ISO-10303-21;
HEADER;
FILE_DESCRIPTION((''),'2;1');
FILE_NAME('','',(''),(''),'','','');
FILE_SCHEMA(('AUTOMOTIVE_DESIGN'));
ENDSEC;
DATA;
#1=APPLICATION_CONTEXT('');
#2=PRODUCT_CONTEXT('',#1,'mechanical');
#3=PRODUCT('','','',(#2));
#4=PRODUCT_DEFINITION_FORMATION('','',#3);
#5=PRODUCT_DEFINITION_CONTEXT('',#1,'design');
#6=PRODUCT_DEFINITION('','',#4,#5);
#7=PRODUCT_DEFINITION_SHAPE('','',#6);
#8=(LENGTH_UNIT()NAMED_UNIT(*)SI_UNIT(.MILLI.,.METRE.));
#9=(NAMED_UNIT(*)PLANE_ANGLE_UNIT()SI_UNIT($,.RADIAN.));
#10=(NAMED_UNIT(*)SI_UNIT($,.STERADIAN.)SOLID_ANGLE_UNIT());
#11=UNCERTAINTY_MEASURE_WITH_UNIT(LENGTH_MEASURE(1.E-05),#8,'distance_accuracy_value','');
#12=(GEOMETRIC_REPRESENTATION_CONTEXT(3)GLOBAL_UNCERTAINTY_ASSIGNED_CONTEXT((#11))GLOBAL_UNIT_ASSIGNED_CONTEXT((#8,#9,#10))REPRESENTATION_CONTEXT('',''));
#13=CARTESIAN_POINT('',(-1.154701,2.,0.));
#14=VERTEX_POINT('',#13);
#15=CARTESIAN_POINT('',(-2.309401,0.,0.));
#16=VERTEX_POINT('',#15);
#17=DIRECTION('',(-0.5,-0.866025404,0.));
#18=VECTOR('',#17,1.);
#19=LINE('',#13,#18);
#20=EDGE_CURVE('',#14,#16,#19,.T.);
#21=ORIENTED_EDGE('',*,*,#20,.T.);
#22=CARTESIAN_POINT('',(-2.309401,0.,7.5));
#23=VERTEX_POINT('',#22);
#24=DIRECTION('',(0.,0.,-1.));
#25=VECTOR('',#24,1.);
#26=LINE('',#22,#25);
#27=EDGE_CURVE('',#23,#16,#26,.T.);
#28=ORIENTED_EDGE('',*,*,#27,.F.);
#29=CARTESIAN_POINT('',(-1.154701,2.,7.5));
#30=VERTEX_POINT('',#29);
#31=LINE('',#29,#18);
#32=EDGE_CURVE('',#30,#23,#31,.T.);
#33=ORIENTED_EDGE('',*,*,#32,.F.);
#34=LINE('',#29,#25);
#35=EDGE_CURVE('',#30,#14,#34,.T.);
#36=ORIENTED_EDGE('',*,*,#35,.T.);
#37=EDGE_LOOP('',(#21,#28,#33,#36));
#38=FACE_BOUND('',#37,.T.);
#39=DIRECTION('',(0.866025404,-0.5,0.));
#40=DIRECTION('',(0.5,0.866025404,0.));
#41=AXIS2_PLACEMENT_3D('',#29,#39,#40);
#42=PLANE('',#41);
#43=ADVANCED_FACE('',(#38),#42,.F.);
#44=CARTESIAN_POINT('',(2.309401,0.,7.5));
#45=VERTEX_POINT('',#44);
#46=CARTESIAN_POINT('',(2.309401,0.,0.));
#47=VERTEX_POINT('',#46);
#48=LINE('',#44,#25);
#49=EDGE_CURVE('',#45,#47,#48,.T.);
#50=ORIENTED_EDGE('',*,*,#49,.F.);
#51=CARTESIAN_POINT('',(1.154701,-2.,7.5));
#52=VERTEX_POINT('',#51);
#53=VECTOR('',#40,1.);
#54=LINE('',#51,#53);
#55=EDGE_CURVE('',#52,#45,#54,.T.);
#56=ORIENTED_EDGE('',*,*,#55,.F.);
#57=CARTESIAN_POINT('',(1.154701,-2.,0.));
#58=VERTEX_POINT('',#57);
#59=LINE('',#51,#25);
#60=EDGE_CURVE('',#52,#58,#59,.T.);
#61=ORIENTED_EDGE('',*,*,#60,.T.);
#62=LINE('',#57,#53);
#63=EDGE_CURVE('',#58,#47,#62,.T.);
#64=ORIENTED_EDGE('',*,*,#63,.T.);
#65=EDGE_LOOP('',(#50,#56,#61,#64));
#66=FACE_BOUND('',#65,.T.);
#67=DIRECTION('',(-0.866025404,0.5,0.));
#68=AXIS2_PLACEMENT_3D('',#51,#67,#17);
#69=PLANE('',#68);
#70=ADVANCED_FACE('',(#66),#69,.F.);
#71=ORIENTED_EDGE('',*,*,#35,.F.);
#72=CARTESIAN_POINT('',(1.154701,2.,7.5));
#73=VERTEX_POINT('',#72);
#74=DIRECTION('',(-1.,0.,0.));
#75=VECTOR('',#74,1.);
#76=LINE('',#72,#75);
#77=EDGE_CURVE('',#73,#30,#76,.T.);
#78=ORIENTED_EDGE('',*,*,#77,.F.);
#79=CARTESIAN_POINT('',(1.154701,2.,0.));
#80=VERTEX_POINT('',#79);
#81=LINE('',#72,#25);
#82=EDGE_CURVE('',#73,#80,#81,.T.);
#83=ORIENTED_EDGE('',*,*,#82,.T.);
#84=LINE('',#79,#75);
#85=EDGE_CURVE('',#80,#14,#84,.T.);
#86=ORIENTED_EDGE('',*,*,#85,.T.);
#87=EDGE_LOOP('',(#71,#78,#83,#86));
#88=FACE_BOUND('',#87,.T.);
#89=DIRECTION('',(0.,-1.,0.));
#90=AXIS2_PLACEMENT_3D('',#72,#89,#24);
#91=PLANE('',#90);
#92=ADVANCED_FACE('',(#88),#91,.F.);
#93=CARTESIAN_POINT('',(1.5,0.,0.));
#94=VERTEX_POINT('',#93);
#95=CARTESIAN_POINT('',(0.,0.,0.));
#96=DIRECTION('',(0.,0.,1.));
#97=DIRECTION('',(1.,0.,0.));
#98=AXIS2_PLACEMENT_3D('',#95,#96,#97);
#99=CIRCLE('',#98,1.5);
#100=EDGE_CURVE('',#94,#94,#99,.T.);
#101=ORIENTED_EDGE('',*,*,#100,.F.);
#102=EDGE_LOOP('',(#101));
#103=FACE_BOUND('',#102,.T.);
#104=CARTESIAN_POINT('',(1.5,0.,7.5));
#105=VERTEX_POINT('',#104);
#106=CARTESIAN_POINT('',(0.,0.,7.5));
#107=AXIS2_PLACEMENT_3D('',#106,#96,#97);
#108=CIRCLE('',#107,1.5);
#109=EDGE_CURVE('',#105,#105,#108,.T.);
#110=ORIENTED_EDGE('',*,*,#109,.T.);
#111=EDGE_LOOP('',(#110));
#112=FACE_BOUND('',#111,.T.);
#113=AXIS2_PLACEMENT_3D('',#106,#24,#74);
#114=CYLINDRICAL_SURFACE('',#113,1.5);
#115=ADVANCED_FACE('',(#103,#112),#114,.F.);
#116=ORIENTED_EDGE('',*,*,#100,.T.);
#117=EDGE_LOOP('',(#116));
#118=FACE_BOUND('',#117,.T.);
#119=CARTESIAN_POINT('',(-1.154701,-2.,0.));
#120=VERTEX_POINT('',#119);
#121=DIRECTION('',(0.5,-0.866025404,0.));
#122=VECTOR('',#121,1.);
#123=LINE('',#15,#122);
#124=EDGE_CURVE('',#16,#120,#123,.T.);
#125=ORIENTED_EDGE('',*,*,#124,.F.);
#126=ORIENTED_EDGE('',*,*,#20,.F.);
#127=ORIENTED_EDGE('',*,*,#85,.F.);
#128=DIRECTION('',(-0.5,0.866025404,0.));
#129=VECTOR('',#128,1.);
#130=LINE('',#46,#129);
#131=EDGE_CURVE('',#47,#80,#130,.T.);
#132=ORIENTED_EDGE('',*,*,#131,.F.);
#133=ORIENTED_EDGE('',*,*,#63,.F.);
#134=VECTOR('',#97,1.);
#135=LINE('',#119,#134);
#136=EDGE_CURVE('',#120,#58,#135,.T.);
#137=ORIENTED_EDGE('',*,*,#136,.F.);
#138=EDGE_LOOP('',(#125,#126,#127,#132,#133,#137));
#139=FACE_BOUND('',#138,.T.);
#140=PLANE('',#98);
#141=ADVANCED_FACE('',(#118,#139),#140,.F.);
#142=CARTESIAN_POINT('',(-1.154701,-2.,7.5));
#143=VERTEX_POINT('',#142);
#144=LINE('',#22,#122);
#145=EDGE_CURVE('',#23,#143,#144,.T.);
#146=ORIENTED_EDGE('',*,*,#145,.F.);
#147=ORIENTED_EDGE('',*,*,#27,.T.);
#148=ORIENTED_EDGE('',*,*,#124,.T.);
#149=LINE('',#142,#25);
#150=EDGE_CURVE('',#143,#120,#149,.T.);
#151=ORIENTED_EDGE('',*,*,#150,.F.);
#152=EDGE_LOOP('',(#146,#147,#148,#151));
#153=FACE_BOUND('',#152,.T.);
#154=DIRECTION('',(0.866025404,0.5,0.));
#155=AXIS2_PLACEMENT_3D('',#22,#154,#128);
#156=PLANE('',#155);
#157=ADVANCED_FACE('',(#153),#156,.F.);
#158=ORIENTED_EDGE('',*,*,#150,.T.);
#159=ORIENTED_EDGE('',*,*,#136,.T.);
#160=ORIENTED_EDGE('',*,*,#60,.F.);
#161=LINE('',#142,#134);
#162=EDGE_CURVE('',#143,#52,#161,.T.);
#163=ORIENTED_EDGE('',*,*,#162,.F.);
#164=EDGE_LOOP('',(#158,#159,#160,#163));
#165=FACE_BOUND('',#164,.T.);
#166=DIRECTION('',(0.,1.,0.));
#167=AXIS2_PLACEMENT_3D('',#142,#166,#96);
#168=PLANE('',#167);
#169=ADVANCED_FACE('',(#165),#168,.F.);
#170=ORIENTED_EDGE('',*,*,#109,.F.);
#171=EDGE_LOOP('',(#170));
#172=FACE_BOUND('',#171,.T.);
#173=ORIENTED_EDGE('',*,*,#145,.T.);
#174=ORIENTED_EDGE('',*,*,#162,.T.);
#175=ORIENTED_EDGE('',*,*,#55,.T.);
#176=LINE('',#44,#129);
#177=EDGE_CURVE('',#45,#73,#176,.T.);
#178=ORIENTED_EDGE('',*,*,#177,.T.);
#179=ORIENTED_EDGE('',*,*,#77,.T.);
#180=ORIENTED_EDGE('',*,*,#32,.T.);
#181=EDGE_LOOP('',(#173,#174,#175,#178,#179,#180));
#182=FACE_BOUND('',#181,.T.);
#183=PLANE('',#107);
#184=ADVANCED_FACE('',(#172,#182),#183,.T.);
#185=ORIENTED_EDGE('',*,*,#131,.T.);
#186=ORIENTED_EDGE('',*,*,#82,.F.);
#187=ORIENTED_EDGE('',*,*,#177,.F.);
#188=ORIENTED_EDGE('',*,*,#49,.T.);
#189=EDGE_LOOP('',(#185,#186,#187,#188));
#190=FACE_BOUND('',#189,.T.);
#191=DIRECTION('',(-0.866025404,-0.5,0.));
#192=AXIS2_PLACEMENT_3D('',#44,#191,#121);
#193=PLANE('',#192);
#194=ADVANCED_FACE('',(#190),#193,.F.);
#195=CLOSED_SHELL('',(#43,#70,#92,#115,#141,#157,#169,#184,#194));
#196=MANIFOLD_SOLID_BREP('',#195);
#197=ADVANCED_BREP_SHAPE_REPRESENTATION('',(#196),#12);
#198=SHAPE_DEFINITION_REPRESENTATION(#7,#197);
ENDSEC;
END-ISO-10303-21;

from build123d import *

# Parameters (mm, degrees)
SKETCH_1_R      = 1.5
EXTRUDE_1_DEPTH = 7.5


with BuildPart() as part:
    # 草图1 → 凸台-拉伸1 (new body)
    with BuildSketch(Plane.XY):
        Polygon((2.309401077, 0), (1.154700538, 2), (-1.154700538, 2), (-2.309401077, 0), (-1.154700538, -2), (1.154700538, -2), align=None)
        Circle(SKETCH_1_R, mode=Mode.SUBTRACT)
    extrude(amount=EXTRUDE_1_DEPTH)


solid = part.part
